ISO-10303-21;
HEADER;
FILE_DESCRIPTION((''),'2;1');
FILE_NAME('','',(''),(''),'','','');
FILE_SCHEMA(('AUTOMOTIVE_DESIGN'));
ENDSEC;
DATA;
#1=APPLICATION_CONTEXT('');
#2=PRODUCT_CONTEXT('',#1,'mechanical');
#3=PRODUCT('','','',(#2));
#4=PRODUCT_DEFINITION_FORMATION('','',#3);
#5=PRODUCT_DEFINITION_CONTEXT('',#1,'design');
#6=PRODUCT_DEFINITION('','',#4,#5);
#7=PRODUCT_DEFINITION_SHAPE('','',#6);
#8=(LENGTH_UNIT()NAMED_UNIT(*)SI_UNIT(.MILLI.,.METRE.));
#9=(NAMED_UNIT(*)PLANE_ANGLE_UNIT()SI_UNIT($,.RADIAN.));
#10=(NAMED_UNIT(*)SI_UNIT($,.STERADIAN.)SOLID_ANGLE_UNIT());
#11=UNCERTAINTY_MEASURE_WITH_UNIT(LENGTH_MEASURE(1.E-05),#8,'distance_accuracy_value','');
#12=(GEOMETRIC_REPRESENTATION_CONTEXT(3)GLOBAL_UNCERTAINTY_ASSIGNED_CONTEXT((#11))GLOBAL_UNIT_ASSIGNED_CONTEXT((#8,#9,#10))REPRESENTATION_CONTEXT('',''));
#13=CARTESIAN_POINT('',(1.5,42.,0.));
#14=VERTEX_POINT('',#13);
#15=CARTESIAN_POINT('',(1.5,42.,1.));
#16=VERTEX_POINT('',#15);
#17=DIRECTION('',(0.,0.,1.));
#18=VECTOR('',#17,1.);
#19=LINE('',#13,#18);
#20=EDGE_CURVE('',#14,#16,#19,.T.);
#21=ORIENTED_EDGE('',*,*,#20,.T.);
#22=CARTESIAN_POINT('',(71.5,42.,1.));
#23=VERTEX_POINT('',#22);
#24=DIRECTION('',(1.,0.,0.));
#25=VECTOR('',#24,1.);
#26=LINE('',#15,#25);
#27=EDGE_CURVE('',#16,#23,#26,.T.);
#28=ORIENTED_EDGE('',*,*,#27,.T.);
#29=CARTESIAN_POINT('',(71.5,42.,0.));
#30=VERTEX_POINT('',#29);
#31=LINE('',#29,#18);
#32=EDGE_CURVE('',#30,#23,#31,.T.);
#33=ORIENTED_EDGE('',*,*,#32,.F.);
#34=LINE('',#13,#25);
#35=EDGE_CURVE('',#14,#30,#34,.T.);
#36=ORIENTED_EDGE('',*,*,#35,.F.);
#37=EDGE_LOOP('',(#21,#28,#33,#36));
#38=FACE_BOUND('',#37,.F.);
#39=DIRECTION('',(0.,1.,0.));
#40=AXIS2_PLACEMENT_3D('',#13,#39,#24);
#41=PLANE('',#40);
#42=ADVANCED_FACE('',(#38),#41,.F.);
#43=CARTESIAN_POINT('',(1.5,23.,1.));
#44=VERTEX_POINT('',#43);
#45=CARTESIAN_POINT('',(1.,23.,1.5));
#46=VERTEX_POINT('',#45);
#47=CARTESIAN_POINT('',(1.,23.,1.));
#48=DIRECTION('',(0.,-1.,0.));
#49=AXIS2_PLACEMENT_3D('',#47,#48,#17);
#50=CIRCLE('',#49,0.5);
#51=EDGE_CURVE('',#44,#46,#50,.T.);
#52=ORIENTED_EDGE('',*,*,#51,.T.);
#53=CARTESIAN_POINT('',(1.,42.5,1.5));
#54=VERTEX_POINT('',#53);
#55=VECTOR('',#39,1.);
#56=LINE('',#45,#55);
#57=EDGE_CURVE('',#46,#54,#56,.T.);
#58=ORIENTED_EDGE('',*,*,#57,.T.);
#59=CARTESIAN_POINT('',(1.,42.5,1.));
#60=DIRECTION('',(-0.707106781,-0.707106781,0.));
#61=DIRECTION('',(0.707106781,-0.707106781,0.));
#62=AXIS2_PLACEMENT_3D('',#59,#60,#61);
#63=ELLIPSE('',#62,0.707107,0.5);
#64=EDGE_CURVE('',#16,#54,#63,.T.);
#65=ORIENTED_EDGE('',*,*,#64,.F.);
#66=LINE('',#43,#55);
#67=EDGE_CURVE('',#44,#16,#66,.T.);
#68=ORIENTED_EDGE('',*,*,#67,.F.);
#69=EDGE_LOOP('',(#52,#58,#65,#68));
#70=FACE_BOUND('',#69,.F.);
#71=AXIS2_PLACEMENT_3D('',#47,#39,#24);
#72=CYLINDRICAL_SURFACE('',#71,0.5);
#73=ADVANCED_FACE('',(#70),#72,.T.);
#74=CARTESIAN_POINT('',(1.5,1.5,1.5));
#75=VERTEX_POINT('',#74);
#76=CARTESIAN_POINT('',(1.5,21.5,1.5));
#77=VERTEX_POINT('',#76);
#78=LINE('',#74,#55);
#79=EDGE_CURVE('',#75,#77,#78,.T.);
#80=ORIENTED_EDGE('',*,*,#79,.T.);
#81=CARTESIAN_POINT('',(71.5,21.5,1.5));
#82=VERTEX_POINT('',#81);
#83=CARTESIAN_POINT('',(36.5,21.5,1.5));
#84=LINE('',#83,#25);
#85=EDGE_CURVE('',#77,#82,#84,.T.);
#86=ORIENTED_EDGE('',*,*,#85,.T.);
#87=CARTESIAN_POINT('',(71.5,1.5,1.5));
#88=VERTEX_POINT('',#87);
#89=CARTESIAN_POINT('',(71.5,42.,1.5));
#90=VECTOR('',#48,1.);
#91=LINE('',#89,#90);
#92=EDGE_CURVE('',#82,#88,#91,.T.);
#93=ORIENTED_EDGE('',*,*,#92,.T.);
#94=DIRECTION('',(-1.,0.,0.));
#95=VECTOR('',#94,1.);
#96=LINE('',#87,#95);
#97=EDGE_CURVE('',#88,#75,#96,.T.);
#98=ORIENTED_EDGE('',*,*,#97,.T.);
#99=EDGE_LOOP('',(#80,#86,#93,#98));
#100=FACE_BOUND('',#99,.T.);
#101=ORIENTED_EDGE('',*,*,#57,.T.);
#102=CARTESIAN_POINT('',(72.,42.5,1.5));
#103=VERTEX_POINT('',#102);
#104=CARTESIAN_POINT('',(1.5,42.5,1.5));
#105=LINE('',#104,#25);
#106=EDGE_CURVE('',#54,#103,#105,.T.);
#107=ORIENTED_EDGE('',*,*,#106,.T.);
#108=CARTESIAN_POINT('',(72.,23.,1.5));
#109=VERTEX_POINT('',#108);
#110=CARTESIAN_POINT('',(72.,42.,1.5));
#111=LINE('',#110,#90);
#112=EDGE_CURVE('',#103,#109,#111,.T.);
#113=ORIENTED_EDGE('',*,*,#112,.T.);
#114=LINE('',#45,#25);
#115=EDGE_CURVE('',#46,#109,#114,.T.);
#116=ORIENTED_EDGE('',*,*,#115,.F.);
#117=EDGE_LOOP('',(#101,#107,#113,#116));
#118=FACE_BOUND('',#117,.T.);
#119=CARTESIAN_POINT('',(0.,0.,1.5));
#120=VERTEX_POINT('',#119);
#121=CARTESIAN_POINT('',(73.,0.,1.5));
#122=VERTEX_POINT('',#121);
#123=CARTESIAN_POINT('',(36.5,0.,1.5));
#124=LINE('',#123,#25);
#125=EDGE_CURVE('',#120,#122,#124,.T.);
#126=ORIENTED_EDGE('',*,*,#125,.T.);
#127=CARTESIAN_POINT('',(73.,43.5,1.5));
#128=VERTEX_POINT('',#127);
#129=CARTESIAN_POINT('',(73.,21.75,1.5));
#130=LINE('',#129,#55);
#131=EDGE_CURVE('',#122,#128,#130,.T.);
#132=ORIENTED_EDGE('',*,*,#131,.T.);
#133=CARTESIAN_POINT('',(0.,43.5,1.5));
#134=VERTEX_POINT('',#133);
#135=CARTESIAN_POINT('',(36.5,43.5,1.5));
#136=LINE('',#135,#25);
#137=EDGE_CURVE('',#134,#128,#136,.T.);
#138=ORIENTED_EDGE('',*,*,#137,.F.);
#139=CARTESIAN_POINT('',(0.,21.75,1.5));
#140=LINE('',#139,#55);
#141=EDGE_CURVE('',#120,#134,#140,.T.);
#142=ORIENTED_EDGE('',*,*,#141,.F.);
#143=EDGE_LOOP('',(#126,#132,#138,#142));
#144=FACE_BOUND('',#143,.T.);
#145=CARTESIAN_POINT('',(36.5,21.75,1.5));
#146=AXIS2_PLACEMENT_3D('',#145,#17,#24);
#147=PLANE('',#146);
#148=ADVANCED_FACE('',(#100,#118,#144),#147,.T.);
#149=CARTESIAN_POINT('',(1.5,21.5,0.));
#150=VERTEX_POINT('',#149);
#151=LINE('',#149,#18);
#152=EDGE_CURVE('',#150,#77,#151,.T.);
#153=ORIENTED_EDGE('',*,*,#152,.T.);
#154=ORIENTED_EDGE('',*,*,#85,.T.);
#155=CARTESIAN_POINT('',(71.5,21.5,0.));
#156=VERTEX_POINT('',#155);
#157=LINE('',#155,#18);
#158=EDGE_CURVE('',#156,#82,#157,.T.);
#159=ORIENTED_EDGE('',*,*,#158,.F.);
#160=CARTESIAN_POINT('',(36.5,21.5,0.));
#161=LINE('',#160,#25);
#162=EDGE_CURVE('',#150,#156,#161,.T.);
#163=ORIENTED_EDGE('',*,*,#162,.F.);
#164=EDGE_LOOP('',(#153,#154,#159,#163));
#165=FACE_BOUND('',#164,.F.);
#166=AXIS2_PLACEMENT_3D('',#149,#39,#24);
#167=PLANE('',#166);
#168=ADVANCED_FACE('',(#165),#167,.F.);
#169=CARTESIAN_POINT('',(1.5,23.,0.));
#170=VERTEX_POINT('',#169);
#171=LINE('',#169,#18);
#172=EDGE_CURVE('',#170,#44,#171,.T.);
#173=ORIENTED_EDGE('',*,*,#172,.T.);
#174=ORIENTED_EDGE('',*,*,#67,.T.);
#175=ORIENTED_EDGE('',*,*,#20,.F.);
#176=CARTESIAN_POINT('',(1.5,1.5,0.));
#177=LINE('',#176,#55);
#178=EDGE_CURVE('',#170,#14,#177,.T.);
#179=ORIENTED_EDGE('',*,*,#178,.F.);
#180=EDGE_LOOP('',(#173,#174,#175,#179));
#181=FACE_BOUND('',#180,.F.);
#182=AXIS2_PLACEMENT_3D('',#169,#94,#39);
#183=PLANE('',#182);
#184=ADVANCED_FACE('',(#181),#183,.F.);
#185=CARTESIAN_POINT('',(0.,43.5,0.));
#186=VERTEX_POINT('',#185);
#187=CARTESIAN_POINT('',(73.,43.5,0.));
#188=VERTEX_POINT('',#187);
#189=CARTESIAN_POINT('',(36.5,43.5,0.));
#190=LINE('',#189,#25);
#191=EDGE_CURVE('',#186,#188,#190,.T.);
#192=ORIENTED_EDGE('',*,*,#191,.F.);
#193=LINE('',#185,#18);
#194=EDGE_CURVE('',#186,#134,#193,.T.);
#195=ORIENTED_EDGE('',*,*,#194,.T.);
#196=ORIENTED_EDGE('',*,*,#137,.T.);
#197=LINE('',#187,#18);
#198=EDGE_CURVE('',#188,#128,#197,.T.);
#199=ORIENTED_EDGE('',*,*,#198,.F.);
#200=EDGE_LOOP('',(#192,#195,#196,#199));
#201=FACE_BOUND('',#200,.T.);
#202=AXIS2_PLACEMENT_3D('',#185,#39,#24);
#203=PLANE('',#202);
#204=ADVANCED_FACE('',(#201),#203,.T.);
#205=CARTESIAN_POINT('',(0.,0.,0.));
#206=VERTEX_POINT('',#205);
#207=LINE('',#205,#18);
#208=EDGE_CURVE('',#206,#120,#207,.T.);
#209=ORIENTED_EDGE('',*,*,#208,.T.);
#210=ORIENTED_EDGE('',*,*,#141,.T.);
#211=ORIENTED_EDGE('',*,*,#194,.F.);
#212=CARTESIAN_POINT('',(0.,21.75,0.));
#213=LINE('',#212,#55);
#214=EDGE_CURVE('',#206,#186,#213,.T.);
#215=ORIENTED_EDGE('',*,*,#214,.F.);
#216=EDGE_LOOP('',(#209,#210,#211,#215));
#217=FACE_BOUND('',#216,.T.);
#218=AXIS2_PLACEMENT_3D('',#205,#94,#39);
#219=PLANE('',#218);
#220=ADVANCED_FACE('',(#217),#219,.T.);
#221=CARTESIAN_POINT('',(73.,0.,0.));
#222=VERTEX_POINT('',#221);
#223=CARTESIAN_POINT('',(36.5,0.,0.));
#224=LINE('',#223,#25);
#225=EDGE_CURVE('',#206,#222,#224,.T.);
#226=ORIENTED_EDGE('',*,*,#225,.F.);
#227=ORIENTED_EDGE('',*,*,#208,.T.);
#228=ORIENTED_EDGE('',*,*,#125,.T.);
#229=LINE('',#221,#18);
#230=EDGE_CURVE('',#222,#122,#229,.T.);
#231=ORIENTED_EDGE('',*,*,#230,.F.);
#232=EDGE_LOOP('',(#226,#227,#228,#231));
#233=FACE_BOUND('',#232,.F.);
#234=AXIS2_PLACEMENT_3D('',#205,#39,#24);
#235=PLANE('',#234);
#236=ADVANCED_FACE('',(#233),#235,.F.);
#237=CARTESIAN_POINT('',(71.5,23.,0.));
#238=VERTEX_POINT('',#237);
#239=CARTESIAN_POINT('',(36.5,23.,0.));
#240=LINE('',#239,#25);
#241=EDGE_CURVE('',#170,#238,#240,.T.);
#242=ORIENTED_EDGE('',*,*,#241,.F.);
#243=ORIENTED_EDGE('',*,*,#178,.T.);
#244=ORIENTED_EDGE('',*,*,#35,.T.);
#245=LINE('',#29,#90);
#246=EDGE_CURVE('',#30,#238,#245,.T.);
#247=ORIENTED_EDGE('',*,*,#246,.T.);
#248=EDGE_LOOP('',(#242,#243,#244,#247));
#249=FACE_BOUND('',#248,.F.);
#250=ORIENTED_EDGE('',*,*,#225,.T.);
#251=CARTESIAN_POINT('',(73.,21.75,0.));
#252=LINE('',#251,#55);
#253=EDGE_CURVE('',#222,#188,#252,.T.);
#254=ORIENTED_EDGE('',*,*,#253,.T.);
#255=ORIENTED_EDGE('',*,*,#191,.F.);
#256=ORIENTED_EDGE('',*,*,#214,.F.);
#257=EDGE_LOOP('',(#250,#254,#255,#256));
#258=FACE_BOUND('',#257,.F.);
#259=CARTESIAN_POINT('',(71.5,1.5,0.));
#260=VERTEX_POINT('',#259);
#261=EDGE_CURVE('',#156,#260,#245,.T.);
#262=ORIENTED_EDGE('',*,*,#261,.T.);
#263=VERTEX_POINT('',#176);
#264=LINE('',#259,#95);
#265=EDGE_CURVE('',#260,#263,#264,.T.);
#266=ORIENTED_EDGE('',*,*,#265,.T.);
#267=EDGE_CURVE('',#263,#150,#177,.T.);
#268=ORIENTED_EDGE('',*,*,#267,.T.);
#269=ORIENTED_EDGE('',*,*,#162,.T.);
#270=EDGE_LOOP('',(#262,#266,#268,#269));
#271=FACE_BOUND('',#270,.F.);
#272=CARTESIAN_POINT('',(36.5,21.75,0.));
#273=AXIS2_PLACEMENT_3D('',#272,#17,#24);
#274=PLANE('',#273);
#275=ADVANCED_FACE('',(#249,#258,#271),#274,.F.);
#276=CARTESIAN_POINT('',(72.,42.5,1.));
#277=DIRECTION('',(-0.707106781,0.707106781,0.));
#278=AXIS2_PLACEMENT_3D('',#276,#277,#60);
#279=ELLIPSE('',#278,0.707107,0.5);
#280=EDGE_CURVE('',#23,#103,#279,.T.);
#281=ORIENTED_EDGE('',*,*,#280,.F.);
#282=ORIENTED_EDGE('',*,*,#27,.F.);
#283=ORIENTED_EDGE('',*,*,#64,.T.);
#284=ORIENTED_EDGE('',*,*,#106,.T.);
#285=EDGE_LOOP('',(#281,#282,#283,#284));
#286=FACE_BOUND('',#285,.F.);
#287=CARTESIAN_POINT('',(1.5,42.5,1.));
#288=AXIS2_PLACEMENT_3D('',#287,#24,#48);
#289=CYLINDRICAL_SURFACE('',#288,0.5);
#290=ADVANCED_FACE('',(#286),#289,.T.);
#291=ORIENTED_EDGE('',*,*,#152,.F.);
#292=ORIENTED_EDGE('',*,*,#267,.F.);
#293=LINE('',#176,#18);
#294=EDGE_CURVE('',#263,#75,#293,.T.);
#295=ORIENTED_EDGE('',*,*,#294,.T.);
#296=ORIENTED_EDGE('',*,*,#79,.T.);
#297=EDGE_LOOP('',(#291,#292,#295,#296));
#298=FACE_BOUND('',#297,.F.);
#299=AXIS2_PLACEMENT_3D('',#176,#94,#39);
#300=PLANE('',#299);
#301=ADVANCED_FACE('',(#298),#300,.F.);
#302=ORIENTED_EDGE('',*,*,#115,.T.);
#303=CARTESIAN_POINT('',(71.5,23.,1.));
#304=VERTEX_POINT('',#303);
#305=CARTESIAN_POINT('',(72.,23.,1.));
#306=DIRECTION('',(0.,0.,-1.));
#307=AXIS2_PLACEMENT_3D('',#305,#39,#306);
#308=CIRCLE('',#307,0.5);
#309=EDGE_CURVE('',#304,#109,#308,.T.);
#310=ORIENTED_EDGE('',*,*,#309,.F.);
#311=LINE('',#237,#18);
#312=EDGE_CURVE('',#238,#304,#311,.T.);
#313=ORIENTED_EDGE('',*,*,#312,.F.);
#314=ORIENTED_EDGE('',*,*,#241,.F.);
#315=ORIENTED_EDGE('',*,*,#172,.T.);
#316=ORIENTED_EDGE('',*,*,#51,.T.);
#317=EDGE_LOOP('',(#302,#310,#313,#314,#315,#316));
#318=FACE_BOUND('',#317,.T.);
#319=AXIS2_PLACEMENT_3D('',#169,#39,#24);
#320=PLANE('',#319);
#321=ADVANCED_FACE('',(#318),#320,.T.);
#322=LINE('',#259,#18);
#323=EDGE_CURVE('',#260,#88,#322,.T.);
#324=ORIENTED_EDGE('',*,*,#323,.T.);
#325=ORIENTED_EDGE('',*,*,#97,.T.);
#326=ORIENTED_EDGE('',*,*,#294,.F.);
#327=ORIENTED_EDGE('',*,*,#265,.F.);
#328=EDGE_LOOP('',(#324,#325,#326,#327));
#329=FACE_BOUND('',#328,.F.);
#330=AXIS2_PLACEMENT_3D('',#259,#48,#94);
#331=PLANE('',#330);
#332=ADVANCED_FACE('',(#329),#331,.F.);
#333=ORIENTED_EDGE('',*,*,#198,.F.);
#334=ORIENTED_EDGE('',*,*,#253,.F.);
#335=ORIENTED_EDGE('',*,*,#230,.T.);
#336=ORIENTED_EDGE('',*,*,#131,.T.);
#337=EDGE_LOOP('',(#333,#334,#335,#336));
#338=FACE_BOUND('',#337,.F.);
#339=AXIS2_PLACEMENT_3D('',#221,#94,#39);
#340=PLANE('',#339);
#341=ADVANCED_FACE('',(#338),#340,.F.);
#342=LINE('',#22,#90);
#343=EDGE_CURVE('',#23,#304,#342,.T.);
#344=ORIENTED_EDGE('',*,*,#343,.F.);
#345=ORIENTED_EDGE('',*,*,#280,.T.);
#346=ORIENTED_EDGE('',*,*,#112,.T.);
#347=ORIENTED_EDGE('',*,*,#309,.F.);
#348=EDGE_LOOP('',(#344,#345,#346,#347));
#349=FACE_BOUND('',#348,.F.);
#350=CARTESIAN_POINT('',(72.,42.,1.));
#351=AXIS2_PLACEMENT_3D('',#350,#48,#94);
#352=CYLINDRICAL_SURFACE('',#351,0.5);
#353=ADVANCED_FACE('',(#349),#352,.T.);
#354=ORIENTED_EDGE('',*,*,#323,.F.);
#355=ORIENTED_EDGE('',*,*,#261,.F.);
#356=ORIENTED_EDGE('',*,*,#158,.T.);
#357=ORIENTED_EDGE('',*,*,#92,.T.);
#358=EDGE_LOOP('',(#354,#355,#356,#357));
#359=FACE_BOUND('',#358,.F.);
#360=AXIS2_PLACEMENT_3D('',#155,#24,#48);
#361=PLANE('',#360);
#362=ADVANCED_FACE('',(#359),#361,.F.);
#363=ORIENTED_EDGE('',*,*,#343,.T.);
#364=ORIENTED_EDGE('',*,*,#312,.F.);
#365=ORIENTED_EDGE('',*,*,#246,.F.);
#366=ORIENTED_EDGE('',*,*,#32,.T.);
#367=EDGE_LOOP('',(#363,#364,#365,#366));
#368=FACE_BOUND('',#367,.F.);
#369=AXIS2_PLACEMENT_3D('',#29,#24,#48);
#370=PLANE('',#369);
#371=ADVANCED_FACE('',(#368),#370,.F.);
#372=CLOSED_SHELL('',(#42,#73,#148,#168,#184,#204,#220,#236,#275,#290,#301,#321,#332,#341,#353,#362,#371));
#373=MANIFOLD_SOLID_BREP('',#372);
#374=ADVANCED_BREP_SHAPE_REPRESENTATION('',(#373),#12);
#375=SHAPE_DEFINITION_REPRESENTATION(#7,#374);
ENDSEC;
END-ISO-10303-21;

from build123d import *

# Parameters (mm, degrees)
F0_W     = 73
F0_H     = 43.5
F0_W_2   = 70
F0_H_2   = 1.5
F1_DEPTH = 1.5
F2_R     = 0.5


with BuildPart() as f1:
    # F0 (on Top) → F1 (new body)
    with BuildSketch(Plane.XY):
        with Locations((36.5, 21.75)):
            Rectangle(F0_W, F0_H)
        Polygon((1.5, 23), (1.5, 42), (71.5, 42), (71.5, 23), (71.5, 21.5), (71.5, 1.5), (1.5, 1.5), (1.5, 21.5), align=None, mode=Mode.SUBTRACT)
        with Locations((36.5, 22.25)):
            Rectangle(F0_W_2, F0_H_2)
    extrude(amount=F1_DEPTH)

    # F2
    f2_edges = [f1.edges().sort_by_distance(p)[0] for p in [
        (71.5, 32.5, 1.5),
        (36.5, 42, 1.5),
        (1.5, 32.5, 1.5),
    ]]
    fillet(f2_edges, radius=F2_R)


solid = f1.part
